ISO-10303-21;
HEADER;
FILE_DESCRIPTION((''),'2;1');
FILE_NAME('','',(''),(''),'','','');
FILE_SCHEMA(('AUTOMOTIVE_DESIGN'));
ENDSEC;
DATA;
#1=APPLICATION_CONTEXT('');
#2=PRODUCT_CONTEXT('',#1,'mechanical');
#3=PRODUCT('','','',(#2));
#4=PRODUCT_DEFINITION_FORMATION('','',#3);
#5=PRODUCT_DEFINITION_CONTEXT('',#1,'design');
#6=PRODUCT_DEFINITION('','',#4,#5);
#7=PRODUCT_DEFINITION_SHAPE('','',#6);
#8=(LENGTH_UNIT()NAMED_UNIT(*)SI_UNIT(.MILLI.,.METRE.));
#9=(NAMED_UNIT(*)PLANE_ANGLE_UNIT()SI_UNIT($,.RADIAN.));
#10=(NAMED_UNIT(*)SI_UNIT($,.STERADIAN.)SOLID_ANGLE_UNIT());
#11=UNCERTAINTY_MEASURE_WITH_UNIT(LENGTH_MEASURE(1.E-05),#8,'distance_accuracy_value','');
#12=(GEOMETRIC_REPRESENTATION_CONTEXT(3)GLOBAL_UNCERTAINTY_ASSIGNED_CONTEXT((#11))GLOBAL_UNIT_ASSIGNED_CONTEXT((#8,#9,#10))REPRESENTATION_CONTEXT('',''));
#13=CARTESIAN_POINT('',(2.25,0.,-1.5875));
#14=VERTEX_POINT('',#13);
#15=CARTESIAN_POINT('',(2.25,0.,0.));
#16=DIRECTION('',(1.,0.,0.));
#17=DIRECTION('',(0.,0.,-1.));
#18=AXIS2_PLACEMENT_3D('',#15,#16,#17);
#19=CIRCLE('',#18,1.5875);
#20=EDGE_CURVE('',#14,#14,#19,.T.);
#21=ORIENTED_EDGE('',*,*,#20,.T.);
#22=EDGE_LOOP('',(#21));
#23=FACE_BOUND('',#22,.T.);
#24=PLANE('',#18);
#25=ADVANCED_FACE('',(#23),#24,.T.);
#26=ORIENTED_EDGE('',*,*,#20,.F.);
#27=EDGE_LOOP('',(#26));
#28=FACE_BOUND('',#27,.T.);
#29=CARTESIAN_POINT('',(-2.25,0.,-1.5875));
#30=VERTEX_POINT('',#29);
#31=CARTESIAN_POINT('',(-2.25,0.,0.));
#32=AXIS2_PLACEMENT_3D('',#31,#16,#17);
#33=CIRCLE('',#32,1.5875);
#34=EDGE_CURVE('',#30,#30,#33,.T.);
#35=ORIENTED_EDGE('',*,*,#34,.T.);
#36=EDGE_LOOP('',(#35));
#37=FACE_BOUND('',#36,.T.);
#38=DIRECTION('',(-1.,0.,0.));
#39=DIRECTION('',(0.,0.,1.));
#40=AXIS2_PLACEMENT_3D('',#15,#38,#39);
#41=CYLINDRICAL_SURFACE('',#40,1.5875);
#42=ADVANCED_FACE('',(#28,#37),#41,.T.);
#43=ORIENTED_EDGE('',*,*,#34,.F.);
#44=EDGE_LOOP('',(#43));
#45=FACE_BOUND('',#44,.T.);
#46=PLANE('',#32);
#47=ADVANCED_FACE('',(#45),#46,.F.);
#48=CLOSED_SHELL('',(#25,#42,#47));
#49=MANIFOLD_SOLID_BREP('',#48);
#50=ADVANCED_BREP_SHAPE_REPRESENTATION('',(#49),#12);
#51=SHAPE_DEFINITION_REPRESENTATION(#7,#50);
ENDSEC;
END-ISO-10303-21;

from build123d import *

# Parameters (mm, degrees)
SKETCH2_R           = 1.5875
BOSS_EXTRUDE1_DEPTH = 2.25


with BuildPart() as part:
    # Sketch2 → Boss-Extrude1 (new body, symmetric)
    with BuildSketch(Plane(origin=(0, 0, 0), x_dir=(0, 0, -1), z_dir=(1, 0, 0))):
        Circle(SKETCH2_R)
    extrude(amount=BOSS_EXTRUDE1_DEPTH, both=True)


solid = part.part
